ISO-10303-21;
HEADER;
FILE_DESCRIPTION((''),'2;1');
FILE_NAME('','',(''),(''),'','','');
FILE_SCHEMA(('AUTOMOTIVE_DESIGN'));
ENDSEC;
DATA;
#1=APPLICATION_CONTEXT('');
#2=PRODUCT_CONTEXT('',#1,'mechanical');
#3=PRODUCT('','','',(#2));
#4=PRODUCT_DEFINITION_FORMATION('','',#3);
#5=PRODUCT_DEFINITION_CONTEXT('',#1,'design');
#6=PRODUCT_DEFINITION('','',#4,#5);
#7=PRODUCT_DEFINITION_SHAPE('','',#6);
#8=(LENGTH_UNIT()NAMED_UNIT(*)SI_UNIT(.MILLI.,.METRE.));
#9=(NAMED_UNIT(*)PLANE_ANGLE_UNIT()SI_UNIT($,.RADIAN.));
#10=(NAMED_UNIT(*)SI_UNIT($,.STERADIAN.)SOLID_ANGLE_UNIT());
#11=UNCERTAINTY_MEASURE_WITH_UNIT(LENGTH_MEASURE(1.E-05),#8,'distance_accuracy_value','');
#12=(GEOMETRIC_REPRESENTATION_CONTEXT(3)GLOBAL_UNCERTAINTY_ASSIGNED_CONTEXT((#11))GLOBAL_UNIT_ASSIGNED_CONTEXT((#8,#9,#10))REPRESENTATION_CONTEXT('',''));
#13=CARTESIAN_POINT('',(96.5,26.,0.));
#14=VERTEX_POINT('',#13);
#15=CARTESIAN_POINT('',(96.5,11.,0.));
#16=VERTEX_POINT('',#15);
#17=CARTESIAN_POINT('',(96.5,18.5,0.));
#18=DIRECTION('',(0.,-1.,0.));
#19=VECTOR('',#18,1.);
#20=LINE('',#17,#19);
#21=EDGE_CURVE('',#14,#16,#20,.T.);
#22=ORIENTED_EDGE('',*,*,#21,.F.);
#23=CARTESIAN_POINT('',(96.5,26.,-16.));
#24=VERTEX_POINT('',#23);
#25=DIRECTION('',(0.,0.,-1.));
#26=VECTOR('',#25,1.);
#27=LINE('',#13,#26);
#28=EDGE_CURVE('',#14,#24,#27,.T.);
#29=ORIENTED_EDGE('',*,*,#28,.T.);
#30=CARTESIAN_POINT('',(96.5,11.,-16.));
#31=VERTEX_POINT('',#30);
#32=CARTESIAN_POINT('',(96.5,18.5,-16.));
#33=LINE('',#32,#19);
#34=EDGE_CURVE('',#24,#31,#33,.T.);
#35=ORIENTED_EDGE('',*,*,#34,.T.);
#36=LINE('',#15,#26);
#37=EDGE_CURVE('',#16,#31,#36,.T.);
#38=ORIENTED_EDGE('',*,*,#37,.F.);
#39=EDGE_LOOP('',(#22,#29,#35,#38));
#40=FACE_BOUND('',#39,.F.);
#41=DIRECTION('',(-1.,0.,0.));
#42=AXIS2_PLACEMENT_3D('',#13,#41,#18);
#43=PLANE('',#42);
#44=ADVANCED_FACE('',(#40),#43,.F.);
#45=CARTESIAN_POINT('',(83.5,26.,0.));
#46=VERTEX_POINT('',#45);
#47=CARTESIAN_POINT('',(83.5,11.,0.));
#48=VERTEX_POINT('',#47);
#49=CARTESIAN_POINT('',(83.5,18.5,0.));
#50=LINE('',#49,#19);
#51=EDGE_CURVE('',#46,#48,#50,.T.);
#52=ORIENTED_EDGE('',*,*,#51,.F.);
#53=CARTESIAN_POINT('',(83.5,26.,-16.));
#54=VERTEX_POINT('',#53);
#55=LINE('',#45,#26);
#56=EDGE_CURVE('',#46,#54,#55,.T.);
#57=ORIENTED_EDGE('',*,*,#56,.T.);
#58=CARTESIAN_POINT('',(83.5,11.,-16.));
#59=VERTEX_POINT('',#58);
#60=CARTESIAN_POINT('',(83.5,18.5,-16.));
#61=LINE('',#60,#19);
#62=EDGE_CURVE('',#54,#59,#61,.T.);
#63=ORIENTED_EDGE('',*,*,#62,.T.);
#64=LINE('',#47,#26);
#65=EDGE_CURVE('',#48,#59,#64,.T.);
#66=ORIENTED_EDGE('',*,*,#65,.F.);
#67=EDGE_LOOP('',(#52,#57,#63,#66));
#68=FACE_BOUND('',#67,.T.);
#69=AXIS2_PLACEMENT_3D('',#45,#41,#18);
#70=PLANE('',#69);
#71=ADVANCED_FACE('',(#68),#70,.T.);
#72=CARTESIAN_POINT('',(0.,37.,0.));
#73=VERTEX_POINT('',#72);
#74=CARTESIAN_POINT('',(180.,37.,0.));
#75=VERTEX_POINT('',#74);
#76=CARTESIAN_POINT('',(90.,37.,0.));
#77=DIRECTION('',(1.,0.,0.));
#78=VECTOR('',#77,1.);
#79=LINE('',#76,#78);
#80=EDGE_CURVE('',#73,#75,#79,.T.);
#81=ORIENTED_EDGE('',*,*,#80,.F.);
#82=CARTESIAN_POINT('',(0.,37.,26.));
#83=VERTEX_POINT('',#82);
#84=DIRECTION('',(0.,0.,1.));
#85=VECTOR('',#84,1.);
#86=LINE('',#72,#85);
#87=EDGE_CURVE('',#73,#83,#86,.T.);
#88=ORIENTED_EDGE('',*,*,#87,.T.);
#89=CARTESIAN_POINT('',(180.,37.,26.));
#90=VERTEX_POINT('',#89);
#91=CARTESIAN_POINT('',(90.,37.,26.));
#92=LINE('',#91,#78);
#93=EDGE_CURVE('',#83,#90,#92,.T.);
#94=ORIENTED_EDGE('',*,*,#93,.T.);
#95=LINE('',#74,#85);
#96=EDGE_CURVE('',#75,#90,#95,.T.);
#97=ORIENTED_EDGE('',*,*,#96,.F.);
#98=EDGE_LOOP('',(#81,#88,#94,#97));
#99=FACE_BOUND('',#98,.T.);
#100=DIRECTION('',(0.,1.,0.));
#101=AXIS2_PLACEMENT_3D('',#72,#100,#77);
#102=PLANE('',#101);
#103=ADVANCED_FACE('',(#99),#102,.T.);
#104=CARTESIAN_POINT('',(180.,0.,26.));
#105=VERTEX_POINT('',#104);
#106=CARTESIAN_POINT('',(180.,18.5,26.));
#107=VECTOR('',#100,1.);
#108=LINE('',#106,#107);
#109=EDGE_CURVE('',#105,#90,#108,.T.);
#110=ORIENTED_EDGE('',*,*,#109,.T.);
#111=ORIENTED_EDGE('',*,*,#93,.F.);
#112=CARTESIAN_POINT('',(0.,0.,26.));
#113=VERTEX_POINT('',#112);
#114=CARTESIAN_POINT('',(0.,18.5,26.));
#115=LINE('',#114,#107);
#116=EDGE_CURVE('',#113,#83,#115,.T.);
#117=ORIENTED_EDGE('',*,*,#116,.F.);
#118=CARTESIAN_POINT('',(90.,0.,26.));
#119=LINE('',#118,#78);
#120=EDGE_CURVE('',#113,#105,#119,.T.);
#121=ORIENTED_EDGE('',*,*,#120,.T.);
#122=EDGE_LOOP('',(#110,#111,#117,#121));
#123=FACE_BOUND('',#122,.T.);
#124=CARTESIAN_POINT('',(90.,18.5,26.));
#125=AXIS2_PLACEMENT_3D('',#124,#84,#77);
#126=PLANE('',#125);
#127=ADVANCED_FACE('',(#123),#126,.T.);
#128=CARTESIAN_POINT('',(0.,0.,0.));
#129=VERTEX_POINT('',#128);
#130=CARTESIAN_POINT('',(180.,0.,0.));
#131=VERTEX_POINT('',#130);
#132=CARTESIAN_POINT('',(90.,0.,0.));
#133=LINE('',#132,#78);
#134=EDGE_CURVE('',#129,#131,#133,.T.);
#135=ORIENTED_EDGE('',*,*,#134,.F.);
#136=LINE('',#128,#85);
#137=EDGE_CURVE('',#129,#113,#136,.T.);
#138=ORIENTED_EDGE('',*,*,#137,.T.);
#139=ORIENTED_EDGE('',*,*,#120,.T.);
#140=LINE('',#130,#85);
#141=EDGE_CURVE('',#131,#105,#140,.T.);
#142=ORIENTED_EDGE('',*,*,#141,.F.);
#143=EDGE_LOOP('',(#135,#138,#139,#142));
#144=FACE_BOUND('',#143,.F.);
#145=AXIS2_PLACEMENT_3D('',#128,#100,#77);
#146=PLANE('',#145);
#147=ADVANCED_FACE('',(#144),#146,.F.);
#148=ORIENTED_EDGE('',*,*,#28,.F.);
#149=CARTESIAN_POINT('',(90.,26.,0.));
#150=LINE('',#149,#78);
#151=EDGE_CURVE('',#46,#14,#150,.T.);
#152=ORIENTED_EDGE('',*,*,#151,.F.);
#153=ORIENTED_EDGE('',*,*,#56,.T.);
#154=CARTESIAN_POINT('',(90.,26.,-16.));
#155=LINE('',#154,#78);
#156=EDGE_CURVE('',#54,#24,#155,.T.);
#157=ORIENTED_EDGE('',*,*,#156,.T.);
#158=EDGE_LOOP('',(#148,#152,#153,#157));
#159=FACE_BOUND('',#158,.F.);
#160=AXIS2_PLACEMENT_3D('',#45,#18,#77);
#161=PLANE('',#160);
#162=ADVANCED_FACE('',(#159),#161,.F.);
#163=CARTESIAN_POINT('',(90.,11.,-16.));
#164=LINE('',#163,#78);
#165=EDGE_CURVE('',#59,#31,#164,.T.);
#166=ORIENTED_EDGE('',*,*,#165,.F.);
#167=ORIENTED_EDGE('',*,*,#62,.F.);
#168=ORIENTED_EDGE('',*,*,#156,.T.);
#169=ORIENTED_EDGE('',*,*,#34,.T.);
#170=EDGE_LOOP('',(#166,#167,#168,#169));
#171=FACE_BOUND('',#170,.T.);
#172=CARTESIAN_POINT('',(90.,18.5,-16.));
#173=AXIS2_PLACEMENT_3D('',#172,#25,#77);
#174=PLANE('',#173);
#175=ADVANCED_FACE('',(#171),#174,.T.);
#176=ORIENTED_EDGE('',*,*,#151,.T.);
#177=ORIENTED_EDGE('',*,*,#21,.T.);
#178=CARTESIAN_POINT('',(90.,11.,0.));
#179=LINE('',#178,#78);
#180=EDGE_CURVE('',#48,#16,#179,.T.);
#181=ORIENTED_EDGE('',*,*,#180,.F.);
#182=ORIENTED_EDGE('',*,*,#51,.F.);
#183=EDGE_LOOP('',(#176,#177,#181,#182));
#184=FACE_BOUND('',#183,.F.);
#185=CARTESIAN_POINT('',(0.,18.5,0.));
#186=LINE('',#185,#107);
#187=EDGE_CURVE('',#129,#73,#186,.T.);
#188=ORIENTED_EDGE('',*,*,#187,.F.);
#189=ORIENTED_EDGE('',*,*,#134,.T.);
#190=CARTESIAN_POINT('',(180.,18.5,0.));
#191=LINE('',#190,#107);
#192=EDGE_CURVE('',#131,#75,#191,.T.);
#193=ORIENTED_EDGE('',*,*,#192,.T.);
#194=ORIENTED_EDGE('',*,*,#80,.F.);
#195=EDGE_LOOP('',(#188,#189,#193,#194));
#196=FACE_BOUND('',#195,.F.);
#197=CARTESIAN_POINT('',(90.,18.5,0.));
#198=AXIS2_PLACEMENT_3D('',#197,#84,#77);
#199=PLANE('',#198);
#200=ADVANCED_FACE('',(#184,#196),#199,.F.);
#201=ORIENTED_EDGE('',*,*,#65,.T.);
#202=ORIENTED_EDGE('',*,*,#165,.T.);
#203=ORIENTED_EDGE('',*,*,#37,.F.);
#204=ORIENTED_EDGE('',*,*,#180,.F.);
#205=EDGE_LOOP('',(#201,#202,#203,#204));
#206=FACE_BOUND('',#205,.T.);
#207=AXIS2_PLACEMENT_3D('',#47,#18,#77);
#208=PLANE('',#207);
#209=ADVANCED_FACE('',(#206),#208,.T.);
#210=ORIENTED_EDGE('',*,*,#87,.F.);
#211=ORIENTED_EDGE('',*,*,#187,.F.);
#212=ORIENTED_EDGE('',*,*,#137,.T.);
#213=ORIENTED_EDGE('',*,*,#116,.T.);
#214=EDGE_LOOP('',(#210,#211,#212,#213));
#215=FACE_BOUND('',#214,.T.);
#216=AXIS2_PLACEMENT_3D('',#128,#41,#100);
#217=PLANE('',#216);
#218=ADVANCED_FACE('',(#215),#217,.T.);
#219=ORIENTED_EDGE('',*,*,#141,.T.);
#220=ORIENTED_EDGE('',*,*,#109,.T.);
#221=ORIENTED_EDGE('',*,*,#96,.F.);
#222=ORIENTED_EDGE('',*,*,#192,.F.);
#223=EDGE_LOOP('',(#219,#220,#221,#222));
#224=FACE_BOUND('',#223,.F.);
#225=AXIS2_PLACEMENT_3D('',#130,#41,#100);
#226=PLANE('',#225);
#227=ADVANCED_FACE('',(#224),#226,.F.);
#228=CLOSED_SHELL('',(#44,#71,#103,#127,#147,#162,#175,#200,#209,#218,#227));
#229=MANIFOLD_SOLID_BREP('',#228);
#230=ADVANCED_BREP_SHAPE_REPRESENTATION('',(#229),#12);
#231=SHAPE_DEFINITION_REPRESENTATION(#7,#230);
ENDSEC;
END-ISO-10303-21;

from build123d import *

# Parameters (mm, degrees)
BOX_W     = 180
BOX_H     = 37
BOX_DEPTH = 26
SKETCH_W  = 13
SKETCH_H  = 15
PAD_DEPTH = 16


with BuildPart() as part:
    # Box → Box (new body)
    with BuildSketch(Plane.XY):
        with Locations((90, 18.5)):
            Rectangle(BOX_W, BOX_H)
    extrude(amount=BOX_DEPTH)

    # Sketch → Pad (new body)
    with BuildSketch(Plane(origin=(0, 0, 0), x_dir=(1, 0, 0), z_dir=(0, 0, -1))):
        with Locations((90, -18.5)):
            Rectangle(SKETCH_W, SKETCH_H)
    extrude(amount=PAD_DEPTH)


solid = part.part
